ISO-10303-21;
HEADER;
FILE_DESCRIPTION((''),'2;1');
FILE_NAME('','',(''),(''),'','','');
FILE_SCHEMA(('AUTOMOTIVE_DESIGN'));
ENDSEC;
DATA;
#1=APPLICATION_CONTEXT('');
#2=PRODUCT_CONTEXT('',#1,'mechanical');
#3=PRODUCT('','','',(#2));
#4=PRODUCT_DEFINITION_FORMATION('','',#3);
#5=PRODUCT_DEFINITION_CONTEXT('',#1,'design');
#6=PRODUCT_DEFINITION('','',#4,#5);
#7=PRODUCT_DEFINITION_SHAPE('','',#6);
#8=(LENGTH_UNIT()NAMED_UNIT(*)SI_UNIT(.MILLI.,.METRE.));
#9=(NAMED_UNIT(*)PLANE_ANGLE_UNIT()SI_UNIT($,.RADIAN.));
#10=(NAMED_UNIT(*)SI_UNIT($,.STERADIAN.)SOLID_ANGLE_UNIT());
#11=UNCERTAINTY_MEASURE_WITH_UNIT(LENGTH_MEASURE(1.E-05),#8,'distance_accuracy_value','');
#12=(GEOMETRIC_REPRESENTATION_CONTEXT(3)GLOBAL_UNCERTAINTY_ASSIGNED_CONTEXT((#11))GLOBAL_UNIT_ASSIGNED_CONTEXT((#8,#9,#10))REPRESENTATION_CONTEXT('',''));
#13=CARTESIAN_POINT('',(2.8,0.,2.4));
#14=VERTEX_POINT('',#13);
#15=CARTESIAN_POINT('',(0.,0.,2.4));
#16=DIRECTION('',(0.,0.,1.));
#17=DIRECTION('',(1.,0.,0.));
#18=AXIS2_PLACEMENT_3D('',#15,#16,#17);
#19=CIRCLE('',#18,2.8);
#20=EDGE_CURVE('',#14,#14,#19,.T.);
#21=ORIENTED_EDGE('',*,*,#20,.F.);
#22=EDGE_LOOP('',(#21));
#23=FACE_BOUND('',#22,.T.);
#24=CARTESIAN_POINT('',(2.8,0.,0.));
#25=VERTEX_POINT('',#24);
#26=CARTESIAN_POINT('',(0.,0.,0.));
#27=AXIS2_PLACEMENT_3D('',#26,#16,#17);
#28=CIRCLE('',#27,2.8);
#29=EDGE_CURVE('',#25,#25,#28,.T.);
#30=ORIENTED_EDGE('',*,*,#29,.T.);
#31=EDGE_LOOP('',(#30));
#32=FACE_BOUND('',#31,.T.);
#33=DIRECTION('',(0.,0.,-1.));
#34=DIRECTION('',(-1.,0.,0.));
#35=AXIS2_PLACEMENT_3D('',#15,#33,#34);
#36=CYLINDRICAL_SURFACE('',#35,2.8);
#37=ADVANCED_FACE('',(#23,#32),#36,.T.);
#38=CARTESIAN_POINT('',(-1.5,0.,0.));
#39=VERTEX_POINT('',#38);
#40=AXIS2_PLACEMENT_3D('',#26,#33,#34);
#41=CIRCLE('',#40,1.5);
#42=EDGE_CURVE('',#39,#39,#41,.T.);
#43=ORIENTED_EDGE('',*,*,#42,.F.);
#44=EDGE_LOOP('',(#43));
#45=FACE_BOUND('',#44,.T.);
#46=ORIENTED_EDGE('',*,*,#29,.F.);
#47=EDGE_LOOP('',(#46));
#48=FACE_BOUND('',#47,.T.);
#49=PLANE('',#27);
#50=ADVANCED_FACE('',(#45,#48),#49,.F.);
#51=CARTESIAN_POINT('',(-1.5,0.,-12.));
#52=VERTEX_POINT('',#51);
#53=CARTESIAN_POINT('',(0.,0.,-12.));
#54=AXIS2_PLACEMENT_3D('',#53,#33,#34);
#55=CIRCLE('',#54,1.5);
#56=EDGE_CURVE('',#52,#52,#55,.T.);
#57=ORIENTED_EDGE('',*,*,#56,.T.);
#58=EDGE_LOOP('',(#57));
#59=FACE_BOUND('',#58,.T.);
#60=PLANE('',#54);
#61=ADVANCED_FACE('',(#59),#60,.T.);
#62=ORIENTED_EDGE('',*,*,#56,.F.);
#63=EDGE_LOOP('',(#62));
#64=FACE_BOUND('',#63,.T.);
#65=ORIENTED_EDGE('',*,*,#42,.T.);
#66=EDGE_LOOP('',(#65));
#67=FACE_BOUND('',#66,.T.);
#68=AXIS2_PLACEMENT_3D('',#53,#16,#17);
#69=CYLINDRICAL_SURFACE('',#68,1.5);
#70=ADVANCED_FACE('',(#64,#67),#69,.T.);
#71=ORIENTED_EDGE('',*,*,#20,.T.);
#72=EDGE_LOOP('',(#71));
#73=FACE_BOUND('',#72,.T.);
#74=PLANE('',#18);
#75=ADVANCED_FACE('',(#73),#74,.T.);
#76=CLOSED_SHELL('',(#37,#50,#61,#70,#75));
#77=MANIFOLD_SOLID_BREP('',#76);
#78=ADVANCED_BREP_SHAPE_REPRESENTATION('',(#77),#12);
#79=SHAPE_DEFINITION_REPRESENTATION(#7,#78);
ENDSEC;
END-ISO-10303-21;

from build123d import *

# Parameters (mm, degrees)
ESQUISSE1_R        = 2.8
BOSS_EXTRU_1_DEPTH = 2.4
ESQUISSE2_R        = 1.5
BOSS_EXTRU_2_DEPTH = 12


with BuildPart() as part:
    # Esquisse1 → Boss.-Extru.1 (new body)
    with BuildSketch(Plane.XY):
        Circle(ESQUISSE1_R)
    extrude(amount=BOSS_EXTRU_1_DEPTH)

    # Esquisse2 → Boss.-Extru.2 (add)
    with BuildSketch(Plane(origin=(0, 0, 0), x_dir=(-1, 0, 0), z_dir=(0, 0, -1))):
        Circle(ESQUISSE2_R)
    extrude(amount=BOSS_EXTRU_2_DEPTH)


solid = part.part
